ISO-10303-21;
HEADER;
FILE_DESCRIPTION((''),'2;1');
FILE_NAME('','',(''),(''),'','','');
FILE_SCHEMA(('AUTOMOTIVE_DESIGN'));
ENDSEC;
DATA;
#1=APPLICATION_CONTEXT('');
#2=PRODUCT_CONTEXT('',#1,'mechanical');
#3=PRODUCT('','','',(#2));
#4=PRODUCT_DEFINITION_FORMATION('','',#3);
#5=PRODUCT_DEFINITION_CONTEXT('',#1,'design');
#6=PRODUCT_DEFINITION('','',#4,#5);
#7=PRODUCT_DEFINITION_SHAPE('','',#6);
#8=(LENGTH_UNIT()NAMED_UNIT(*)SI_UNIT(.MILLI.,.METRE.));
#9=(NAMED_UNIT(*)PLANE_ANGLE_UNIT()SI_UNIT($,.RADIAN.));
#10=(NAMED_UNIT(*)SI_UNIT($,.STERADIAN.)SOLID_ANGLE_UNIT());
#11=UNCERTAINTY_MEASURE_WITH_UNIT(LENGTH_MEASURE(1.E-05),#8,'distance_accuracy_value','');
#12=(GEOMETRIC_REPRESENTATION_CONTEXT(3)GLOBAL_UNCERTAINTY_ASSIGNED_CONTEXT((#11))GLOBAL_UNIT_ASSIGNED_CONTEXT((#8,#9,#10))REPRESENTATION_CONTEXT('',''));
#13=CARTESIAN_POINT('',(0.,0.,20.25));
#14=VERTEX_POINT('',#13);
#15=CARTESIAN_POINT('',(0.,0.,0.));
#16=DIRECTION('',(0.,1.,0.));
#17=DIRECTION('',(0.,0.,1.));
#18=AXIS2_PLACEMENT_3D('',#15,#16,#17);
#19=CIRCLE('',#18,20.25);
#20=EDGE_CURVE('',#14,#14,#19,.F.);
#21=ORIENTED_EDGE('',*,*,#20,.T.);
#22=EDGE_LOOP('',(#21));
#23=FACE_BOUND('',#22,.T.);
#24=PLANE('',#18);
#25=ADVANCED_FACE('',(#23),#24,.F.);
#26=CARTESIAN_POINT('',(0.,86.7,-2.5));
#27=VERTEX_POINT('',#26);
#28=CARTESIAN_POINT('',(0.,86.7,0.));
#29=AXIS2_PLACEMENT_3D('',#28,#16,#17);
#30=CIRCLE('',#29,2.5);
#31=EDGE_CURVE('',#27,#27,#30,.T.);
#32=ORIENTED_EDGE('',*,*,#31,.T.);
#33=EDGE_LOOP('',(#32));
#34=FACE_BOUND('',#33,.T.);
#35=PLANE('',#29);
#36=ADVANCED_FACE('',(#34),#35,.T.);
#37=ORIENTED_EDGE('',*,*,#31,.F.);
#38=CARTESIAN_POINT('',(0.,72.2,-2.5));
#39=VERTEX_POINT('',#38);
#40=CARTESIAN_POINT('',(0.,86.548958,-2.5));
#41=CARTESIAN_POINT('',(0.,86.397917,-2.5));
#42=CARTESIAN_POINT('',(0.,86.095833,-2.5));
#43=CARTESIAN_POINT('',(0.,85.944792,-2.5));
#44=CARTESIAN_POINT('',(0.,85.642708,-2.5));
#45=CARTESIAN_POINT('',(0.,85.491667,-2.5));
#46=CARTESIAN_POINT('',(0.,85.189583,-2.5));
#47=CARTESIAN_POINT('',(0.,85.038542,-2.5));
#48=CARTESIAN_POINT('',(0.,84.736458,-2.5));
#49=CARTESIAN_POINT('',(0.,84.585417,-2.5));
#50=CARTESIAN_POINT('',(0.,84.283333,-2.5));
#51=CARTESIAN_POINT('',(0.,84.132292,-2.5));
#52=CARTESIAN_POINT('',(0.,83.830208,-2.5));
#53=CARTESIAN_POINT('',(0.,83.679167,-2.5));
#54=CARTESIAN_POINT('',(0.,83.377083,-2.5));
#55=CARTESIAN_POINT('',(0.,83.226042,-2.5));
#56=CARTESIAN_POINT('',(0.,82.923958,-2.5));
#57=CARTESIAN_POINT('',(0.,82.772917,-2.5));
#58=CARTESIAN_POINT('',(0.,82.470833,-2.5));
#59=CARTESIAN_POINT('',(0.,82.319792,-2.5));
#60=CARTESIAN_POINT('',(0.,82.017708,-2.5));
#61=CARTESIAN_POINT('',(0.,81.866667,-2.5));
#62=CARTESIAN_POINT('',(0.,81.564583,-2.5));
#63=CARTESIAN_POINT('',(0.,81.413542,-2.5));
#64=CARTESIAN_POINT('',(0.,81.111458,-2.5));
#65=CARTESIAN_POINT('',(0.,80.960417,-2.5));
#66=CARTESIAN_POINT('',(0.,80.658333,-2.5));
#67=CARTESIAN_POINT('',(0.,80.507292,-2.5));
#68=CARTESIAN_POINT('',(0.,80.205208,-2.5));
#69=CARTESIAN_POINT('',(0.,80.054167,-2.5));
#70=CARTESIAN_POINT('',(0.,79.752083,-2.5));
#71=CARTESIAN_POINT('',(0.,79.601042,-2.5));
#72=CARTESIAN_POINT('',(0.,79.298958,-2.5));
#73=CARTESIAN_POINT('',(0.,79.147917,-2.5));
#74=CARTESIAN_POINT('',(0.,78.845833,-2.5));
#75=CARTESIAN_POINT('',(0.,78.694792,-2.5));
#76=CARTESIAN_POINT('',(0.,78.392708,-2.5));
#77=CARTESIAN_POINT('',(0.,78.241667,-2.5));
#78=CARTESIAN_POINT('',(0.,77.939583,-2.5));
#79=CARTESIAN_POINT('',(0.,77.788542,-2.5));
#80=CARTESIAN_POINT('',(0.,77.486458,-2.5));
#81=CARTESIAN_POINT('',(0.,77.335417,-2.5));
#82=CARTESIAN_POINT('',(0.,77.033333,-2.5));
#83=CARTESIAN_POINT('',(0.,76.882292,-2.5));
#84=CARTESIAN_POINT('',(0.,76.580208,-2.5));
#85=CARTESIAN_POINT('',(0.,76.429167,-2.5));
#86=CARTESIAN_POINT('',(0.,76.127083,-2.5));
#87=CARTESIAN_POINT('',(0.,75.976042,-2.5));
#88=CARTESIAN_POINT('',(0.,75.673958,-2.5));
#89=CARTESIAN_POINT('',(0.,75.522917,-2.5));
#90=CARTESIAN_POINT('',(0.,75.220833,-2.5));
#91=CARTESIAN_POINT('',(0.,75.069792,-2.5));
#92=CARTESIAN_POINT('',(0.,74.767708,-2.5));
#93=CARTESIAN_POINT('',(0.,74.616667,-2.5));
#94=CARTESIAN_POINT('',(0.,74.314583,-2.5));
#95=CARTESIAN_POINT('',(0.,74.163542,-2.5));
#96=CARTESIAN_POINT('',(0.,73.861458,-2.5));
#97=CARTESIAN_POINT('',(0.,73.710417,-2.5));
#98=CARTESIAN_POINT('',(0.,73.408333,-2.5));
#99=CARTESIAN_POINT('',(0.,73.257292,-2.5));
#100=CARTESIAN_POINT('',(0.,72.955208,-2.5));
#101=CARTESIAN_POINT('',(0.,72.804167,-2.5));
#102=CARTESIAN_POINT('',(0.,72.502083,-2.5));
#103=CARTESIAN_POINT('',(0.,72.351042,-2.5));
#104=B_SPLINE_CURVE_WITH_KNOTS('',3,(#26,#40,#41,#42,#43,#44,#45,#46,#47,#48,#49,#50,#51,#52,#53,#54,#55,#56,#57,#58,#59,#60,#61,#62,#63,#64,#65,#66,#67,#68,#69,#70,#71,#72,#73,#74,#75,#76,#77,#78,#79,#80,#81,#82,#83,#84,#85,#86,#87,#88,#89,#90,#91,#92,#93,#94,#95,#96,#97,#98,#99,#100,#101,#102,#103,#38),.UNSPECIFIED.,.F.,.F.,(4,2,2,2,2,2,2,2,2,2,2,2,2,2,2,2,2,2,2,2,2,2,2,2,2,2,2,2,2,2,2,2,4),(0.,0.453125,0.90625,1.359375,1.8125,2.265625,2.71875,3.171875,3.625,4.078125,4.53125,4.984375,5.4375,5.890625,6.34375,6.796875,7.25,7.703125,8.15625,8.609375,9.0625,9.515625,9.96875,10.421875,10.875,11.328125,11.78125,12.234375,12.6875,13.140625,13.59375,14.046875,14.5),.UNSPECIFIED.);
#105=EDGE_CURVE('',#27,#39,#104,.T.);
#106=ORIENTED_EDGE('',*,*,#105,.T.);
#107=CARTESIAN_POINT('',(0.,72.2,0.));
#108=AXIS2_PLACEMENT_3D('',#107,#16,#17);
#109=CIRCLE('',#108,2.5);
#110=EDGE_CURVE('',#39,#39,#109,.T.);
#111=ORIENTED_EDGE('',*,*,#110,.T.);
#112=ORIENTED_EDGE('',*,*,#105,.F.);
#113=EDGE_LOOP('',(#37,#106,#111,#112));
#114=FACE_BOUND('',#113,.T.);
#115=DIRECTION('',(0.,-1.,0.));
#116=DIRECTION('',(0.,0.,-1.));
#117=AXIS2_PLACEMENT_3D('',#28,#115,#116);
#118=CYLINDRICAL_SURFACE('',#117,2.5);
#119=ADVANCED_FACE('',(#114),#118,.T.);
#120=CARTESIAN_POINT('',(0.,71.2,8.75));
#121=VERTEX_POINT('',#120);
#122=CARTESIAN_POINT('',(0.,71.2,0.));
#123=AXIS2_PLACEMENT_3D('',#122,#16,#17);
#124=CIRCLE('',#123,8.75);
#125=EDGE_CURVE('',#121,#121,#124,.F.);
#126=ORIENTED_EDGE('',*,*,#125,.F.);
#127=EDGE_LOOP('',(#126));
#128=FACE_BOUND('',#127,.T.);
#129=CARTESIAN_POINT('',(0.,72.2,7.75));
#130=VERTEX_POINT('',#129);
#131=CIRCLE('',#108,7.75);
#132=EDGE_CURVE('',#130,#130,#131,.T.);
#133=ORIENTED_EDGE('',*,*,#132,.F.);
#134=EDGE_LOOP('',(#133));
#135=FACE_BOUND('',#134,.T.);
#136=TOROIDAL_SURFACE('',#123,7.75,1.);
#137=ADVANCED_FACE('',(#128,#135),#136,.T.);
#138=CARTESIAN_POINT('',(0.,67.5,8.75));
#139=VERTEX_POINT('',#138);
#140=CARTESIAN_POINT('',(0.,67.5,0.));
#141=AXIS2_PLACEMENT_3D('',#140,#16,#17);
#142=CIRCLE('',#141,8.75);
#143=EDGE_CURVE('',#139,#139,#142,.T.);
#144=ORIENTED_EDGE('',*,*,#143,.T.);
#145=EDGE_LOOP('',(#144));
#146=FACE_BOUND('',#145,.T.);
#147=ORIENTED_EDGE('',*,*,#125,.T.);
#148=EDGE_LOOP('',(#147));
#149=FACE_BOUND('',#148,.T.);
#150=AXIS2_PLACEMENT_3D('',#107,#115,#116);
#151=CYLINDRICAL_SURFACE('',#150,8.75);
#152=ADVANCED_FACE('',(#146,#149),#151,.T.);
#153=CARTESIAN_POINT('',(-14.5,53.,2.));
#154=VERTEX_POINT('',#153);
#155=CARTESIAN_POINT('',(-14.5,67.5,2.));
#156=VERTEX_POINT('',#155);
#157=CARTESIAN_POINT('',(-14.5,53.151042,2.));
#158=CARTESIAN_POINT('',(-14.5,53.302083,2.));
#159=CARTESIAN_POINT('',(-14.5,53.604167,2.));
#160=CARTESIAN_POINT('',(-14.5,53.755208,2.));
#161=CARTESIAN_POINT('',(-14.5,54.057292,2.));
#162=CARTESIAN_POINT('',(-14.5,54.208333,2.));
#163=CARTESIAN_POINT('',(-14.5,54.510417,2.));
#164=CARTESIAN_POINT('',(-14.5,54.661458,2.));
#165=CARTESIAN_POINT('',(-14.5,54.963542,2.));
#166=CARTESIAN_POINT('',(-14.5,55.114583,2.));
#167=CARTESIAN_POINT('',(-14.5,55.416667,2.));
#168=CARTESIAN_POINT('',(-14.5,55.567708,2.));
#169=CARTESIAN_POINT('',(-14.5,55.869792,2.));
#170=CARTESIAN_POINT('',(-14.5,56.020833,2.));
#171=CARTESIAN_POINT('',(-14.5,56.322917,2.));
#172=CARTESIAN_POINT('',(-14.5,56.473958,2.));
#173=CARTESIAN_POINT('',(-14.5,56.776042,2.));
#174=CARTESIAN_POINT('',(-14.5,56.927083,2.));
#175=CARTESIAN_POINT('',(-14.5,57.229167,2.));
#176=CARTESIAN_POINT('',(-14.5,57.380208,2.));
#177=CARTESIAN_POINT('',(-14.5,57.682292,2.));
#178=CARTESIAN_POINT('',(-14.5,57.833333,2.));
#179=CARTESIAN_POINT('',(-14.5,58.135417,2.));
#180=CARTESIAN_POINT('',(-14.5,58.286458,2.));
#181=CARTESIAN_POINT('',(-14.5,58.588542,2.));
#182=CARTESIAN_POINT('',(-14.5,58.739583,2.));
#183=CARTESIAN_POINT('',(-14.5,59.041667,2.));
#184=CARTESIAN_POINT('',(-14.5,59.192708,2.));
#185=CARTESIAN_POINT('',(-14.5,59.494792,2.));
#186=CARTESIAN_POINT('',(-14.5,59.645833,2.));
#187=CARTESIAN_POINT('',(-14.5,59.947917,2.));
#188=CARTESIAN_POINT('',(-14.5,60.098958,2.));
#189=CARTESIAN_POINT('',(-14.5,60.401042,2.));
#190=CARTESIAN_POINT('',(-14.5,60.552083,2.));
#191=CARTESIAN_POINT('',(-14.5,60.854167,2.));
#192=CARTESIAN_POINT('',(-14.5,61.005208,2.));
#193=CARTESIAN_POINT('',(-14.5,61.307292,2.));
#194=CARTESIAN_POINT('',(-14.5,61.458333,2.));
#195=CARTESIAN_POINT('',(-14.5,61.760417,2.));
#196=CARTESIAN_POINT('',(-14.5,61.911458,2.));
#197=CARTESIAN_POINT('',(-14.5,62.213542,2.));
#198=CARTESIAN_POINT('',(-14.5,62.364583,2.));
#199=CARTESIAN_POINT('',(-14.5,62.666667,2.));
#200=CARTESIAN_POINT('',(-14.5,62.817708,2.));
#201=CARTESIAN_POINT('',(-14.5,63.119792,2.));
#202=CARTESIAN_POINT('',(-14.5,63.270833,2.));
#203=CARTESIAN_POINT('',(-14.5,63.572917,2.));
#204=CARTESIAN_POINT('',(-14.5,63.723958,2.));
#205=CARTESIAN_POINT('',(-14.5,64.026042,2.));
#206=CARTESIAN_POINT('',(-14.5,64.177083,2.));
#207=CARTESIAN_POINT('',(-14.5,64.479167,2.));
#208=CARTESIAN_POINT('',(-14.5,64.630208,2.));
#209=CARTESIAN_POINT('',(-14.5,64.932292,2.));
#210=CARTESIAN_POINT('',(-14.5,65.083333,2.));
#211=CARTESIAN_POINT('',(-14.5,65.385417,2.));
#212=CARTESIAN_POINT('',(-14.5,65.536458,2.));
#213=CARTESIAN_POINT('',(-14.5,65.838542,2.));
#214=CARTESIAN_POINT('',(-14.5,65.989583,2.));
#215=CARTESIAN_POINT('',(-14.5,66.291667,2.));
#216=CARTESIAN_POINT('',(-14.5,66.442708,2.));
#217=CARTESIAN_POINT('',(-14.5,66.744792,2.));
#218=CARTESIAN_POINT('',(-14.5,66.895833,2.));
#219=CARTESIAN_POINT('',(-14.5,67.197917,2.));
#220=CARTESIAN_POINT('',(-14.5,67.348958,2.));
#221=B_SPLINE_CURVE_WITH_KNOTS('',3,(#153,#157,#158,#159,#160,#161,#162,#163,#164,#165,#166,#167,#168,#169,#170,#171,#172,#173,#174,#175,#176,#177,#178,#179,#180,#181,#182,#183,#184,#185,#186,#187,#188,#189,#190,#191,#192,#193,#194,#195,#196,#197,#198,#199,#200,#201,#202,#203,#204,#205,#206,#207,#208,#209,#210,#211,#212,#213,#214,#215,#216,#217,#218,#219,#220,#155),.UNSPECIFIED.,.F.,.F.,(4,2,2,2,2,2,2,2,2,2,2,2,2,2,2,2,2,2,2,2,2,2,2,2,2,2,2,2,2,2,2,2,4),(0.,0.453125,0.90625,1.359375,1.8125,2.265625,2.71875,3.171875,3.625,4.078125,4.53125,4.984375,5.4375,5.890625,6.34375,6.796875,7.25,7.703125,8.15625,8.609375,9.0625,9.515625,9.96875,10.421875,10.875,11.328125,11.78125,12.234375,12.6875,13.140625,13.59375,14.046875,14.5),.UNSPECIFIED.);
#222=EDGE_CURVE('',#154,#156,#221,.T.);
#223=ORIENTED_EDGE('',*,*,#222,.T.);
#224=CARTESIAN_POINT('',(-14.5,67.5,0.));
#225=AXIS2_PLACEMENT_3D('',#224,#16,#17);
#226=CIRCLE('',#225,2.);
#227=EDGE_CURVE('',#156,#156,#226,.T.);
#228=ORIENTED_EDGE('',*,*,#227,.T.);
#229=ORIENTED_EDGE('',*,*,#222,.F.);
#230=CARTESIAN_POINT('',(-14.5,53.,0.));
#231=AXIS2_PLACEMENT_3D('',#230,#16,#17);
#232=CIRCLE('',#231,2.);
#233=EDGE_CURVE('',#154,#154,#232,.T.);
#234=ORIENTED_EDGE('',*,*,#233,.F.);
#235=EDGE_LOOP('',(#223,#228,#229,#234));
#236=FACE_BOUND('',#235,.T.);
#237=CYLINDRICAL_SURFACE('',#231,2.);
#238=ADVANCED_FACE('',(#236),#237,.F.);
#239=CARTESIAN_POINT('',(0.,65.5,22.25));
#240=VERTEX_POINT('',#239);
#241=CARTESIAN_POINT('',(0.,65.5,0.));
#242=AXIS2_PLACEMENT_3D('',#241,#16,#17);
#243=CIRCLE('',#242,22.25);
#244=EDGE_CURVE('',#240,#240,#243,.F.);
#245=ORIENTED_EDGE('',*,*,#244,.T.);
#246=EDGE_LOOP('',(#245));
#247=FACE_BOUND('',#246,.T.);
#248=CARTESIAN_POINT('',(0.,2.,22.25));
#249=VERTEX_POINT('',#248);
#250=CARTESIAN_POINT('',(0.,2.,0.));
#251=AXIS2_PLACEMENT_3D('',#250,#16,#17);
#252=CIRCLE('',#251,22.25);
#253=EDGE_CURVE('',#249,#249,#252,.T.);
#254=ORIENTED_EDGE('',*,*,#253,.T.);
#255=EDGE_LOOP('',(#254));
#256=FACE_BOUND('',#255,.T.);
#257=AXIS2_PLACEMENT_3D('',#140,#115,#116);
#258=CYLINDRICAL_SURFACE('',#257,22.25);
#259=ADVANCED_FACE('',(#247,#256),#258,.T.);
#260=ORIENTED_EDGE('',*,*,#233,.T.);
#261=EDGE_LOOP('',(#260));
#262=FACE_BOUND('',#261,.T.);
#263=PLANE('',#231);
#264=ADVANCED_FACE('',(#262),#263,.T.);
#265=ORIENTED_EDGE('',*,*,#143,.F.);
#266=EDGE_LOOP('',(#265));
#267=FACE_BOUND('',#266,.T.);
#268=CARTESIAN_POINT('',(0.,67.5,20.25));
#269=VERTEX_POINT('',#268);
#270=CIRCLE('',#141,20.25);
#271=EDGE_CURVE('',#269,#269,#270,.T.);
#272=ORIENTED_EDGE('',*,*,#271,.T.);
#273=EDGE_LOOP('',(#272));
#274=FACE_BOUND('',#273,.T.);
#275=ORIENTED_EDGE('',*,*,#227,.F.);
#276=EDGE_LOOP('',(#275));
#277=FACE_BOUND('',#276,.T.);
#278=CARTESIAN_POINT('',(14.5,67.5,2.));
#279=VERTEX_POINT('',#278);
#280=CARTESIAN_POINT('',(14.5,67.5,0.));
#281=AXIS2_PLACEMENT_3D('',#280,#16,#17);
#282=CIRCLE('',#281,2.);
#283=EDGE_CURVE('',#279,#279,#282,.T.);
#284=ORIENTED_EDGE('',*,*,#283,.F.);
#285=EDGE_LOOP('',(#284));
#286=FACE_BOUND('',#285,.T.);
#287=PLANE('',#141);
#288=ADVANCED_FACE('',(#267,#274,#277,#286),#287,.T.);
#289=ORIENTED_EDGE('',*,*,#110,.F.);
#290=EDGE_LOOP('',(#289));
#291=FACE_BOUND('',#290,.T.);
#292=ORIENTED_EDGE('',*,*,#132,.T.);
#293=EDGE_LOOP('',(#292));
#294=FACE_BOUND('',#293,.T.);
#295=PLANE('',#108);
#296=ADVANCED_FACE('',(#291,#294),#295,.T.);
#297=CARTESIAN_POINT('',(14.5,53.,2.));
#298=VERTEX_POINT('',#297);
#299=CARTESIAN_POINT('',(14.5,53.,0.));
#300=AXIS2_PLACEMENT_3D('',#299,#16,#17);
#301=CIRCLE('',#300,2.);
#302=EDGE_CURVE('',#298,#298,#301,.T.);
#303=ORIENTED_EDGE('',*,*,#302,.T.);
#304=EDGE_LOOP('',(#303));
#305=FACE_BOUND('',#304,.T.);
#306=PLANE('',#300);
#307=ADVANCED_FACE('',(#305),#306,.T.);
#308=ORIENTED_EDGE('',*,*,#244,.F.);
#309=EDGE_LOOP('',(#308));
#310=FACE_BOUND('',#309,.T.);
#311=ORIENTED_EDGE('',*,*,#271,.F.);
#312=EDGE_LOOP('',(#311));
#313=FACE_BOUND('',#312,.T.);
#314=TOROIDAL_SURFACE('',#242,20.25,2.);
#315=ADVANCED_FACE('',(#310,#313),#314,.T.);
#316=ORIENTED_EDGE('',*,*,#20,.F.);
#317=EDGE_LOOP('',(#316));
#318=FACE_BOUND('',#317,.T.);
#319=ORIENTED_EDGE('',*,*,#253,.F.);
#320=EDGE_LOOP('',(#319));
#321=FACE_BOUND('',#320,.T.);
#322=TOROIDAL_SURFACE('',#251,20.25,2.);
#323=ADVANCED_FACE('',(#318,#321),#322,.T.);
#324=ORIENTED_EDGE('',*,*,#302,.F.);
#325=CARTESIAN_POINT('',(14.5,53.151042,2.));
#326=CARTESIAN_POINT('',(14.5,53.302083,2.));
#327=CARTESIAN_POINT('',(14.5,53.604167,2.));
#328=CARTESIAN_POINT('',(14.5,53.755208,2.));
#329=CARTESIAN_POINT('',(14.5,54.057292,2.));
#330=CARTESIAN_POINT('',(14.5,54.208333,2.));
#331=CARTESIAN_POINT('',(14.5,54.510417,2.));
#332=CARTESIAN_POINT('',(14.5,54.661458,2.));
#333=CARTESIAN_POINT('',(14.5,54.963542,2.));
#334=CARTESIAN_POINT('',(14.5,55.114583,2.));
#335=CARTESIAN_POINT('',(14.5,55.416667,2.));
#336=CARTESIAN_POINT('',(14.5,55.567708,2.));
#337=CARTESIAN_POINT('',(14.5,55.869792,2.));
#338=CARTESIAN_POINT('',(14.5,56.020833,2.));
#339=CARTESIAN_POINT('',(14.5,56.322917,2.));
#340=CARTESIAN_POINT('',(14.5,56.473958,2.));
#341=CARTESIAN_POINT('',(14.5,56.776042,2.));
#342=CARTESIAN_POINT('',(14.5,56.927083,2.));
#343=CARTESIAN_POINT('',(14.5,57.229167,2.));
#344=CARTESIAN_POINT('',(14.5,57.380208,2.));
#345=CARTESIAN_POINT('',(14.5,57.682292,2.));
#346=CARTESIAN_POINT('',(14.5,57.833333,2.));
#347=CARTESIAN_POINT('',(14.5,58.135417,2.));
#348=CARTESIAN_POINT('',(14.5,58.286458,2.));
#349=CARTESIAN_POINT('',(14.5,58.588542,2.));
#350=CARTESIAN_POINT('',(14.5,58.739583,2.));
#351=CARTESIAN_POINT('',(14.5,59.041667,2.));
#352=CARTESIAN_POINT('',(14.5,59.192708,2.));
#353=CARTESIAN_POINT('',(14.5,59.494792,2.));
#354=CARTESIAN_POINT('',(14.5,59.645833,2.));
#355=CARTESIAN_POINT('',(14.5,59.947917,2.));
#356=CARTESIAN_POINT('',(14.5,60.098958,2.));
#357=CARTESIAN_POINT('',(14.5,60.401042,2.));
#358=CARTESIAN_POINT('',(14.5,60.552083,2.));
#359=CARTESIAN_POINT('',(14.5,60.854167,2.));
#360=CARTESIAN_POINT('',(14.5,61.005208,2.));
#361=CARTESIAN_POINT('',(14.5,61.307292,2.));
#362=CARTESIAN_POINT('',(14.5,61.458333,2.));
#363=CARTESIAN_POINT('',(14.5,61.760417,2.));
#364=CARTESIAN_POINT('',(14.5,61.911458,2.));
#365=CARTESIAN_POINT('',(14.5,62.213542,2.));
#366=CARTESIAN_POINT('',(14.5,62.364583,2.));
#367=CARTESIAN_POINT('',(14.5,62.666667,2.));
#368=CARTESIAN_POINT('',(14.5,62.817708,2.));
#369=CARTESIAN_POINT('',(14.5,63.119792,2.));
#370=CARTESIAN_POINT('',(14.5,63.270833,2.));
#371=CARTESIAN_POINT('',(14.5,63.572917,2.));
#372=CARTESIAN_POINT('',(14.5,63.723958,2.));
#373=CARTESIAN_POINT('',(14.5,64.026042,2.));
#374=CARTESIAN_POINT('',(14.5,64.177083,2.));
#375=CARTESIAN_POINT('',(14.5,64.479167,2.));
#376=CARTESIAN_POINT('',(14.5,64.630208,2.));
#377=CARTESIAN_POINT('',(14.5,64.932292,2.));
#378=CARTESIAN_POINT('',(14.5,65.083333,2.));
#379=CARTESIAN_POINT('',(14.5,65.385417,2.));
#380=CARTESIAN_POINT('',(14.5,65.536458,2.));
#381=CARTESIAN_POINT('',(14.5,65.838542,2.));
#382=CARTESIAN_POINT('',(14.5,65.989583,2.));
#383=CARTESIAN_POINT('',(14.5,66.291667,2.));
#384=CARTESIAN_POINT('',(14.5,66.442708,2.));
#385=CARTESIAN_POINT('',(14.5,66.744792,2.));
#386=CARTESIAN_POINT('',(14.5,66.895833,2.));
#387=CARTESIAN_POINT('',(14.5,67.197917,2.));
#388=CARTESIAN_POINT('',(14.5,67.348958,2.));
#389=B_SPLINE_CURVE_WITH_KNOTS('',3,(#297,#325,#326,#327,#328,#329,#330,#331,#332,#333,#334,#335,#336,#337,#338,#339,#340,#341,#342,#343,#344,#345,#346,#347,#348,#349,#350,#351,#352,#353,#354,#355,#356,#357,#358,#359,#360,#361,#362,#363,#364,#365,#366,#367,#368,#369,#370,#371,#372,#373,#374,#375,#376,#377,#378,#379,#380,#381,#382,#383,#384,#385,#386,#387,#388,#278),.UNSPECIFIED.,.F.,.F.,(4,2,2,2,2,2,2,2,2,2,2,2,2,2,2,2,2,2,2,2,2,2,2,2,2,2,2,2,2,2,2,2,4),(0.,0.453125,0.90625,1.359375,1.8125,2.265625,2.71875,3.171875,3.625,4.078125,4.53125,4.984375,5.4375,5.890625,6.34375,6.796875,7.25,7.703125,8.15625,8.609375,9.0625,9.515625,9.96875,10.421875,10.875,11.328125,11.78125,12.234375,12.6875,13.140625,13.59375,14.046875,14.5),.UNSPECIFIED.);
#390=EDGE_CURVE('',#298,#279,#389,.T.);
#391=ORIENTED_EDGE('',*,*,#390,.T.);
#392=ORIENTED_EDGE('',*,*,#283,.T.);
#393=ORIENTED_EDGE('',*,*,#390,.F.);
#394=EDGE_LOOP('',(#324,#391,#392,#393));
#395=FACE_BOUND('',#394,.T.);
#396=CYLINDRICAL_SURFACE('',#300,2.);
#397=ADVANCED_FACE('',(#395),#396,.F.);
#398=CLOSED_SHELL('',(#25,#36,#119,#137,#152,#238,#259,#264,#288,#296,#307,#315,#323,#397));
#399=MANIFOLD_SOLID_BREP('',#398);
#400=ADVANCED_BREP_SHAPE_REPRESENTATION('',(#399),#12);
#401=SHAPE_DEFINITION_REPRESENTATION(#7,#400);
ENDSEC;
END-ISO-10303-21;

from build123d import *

# Parameters (mm, degrees)
SKETCH1_R           = 22.25
BOSS_EXTRUDE1_DEPTH = 67.5
SKETCH2_R           = 8.75
BOSS_EXTRUDE2_DEPTH = 4.7
SKETCH3_R           = 2.5
BOSS_EXTRUDE3_DEPTH = 14.5
SKETCH4_R           = 2
CUT_EXTRUDE1_DEPTH  = 14.5
FILLET1_R           = 2
FILLET2_R           = 1


with BuildPart() as part:
    # Sketch1 → Boss-Extrude1 (new body)
    with BuildSketch(Plane(origin=(0, 0, 0), x_dir=(1, 0, 0), z_dir=(0, 1, 0))):
        with Locations(Location((0, 0, 0), (0, 0, 270))):
            Circle(SKETCH1_R)
    extrude(amount=BOSS_EXTRUDE1_DEPTH)

    # Sketch2 → Boss-Extrude2 (add)
    with BuildSketch(Plane(origin=(0, 67.5, 0), x_dir=(1, 0, 0), z_dir=(0, 1, 0))):
        with Locations(Location((0, 0, 0), (0, 0, 270))):
            Circle(SKETCH2_R)
    extrude(amount=BOSS_EXTRUDE2_DEPTH)

    # Sketch3 → Boss-Extrude3 (add)
    with BuildSketch(Plane(origin=(0, 72.2, 0), x_dir=(1, 0, 0), z_dir=(0, 1, 0))):
        with Locations(Location((0, 0, 0), (0, 0, 90))):
            Circle(SKETCH3_R)
    extrude(amount=BOSS_EXTRUDE3_DEPTH)

    # Sketch4 → Cut-Extrude1 (cut)
    with BuildSketch(Plane(origin=(0, 67.5, 0), x_dir=(1, 0, 0), z_dir=(0, 1, 0))):
        with Locations(Location((14.5, 0, 0), (0, 0, 270))):
            Circle(SKETCH4_R)
        with Locations(Location((-14.5, 0, 0), (0, 0, 270))):
            Circle(SKETCH4_R)
    extrude(amount=-CUT_EXTRUDE1_DEPTH, mode=Mode.SUBTRACT)

    # Fillet1
    fillet1_edges = [part.edges().sort_by_distance(p)[0] for p in [
        (0, 0, -22.25),
        (0, 67.5, -22.25),
    ]]
    fillet(fillet1_edges, radius=FILLET1_R)

    # Fillet2
    fillet2_edges = [part.edges().sort_by_distance(p)[0] for p in [
        (0, 72.2, -8.75),
    ]]
    fillet(fillet2_edges, radius=FILLET2_R)


solid = part.part
